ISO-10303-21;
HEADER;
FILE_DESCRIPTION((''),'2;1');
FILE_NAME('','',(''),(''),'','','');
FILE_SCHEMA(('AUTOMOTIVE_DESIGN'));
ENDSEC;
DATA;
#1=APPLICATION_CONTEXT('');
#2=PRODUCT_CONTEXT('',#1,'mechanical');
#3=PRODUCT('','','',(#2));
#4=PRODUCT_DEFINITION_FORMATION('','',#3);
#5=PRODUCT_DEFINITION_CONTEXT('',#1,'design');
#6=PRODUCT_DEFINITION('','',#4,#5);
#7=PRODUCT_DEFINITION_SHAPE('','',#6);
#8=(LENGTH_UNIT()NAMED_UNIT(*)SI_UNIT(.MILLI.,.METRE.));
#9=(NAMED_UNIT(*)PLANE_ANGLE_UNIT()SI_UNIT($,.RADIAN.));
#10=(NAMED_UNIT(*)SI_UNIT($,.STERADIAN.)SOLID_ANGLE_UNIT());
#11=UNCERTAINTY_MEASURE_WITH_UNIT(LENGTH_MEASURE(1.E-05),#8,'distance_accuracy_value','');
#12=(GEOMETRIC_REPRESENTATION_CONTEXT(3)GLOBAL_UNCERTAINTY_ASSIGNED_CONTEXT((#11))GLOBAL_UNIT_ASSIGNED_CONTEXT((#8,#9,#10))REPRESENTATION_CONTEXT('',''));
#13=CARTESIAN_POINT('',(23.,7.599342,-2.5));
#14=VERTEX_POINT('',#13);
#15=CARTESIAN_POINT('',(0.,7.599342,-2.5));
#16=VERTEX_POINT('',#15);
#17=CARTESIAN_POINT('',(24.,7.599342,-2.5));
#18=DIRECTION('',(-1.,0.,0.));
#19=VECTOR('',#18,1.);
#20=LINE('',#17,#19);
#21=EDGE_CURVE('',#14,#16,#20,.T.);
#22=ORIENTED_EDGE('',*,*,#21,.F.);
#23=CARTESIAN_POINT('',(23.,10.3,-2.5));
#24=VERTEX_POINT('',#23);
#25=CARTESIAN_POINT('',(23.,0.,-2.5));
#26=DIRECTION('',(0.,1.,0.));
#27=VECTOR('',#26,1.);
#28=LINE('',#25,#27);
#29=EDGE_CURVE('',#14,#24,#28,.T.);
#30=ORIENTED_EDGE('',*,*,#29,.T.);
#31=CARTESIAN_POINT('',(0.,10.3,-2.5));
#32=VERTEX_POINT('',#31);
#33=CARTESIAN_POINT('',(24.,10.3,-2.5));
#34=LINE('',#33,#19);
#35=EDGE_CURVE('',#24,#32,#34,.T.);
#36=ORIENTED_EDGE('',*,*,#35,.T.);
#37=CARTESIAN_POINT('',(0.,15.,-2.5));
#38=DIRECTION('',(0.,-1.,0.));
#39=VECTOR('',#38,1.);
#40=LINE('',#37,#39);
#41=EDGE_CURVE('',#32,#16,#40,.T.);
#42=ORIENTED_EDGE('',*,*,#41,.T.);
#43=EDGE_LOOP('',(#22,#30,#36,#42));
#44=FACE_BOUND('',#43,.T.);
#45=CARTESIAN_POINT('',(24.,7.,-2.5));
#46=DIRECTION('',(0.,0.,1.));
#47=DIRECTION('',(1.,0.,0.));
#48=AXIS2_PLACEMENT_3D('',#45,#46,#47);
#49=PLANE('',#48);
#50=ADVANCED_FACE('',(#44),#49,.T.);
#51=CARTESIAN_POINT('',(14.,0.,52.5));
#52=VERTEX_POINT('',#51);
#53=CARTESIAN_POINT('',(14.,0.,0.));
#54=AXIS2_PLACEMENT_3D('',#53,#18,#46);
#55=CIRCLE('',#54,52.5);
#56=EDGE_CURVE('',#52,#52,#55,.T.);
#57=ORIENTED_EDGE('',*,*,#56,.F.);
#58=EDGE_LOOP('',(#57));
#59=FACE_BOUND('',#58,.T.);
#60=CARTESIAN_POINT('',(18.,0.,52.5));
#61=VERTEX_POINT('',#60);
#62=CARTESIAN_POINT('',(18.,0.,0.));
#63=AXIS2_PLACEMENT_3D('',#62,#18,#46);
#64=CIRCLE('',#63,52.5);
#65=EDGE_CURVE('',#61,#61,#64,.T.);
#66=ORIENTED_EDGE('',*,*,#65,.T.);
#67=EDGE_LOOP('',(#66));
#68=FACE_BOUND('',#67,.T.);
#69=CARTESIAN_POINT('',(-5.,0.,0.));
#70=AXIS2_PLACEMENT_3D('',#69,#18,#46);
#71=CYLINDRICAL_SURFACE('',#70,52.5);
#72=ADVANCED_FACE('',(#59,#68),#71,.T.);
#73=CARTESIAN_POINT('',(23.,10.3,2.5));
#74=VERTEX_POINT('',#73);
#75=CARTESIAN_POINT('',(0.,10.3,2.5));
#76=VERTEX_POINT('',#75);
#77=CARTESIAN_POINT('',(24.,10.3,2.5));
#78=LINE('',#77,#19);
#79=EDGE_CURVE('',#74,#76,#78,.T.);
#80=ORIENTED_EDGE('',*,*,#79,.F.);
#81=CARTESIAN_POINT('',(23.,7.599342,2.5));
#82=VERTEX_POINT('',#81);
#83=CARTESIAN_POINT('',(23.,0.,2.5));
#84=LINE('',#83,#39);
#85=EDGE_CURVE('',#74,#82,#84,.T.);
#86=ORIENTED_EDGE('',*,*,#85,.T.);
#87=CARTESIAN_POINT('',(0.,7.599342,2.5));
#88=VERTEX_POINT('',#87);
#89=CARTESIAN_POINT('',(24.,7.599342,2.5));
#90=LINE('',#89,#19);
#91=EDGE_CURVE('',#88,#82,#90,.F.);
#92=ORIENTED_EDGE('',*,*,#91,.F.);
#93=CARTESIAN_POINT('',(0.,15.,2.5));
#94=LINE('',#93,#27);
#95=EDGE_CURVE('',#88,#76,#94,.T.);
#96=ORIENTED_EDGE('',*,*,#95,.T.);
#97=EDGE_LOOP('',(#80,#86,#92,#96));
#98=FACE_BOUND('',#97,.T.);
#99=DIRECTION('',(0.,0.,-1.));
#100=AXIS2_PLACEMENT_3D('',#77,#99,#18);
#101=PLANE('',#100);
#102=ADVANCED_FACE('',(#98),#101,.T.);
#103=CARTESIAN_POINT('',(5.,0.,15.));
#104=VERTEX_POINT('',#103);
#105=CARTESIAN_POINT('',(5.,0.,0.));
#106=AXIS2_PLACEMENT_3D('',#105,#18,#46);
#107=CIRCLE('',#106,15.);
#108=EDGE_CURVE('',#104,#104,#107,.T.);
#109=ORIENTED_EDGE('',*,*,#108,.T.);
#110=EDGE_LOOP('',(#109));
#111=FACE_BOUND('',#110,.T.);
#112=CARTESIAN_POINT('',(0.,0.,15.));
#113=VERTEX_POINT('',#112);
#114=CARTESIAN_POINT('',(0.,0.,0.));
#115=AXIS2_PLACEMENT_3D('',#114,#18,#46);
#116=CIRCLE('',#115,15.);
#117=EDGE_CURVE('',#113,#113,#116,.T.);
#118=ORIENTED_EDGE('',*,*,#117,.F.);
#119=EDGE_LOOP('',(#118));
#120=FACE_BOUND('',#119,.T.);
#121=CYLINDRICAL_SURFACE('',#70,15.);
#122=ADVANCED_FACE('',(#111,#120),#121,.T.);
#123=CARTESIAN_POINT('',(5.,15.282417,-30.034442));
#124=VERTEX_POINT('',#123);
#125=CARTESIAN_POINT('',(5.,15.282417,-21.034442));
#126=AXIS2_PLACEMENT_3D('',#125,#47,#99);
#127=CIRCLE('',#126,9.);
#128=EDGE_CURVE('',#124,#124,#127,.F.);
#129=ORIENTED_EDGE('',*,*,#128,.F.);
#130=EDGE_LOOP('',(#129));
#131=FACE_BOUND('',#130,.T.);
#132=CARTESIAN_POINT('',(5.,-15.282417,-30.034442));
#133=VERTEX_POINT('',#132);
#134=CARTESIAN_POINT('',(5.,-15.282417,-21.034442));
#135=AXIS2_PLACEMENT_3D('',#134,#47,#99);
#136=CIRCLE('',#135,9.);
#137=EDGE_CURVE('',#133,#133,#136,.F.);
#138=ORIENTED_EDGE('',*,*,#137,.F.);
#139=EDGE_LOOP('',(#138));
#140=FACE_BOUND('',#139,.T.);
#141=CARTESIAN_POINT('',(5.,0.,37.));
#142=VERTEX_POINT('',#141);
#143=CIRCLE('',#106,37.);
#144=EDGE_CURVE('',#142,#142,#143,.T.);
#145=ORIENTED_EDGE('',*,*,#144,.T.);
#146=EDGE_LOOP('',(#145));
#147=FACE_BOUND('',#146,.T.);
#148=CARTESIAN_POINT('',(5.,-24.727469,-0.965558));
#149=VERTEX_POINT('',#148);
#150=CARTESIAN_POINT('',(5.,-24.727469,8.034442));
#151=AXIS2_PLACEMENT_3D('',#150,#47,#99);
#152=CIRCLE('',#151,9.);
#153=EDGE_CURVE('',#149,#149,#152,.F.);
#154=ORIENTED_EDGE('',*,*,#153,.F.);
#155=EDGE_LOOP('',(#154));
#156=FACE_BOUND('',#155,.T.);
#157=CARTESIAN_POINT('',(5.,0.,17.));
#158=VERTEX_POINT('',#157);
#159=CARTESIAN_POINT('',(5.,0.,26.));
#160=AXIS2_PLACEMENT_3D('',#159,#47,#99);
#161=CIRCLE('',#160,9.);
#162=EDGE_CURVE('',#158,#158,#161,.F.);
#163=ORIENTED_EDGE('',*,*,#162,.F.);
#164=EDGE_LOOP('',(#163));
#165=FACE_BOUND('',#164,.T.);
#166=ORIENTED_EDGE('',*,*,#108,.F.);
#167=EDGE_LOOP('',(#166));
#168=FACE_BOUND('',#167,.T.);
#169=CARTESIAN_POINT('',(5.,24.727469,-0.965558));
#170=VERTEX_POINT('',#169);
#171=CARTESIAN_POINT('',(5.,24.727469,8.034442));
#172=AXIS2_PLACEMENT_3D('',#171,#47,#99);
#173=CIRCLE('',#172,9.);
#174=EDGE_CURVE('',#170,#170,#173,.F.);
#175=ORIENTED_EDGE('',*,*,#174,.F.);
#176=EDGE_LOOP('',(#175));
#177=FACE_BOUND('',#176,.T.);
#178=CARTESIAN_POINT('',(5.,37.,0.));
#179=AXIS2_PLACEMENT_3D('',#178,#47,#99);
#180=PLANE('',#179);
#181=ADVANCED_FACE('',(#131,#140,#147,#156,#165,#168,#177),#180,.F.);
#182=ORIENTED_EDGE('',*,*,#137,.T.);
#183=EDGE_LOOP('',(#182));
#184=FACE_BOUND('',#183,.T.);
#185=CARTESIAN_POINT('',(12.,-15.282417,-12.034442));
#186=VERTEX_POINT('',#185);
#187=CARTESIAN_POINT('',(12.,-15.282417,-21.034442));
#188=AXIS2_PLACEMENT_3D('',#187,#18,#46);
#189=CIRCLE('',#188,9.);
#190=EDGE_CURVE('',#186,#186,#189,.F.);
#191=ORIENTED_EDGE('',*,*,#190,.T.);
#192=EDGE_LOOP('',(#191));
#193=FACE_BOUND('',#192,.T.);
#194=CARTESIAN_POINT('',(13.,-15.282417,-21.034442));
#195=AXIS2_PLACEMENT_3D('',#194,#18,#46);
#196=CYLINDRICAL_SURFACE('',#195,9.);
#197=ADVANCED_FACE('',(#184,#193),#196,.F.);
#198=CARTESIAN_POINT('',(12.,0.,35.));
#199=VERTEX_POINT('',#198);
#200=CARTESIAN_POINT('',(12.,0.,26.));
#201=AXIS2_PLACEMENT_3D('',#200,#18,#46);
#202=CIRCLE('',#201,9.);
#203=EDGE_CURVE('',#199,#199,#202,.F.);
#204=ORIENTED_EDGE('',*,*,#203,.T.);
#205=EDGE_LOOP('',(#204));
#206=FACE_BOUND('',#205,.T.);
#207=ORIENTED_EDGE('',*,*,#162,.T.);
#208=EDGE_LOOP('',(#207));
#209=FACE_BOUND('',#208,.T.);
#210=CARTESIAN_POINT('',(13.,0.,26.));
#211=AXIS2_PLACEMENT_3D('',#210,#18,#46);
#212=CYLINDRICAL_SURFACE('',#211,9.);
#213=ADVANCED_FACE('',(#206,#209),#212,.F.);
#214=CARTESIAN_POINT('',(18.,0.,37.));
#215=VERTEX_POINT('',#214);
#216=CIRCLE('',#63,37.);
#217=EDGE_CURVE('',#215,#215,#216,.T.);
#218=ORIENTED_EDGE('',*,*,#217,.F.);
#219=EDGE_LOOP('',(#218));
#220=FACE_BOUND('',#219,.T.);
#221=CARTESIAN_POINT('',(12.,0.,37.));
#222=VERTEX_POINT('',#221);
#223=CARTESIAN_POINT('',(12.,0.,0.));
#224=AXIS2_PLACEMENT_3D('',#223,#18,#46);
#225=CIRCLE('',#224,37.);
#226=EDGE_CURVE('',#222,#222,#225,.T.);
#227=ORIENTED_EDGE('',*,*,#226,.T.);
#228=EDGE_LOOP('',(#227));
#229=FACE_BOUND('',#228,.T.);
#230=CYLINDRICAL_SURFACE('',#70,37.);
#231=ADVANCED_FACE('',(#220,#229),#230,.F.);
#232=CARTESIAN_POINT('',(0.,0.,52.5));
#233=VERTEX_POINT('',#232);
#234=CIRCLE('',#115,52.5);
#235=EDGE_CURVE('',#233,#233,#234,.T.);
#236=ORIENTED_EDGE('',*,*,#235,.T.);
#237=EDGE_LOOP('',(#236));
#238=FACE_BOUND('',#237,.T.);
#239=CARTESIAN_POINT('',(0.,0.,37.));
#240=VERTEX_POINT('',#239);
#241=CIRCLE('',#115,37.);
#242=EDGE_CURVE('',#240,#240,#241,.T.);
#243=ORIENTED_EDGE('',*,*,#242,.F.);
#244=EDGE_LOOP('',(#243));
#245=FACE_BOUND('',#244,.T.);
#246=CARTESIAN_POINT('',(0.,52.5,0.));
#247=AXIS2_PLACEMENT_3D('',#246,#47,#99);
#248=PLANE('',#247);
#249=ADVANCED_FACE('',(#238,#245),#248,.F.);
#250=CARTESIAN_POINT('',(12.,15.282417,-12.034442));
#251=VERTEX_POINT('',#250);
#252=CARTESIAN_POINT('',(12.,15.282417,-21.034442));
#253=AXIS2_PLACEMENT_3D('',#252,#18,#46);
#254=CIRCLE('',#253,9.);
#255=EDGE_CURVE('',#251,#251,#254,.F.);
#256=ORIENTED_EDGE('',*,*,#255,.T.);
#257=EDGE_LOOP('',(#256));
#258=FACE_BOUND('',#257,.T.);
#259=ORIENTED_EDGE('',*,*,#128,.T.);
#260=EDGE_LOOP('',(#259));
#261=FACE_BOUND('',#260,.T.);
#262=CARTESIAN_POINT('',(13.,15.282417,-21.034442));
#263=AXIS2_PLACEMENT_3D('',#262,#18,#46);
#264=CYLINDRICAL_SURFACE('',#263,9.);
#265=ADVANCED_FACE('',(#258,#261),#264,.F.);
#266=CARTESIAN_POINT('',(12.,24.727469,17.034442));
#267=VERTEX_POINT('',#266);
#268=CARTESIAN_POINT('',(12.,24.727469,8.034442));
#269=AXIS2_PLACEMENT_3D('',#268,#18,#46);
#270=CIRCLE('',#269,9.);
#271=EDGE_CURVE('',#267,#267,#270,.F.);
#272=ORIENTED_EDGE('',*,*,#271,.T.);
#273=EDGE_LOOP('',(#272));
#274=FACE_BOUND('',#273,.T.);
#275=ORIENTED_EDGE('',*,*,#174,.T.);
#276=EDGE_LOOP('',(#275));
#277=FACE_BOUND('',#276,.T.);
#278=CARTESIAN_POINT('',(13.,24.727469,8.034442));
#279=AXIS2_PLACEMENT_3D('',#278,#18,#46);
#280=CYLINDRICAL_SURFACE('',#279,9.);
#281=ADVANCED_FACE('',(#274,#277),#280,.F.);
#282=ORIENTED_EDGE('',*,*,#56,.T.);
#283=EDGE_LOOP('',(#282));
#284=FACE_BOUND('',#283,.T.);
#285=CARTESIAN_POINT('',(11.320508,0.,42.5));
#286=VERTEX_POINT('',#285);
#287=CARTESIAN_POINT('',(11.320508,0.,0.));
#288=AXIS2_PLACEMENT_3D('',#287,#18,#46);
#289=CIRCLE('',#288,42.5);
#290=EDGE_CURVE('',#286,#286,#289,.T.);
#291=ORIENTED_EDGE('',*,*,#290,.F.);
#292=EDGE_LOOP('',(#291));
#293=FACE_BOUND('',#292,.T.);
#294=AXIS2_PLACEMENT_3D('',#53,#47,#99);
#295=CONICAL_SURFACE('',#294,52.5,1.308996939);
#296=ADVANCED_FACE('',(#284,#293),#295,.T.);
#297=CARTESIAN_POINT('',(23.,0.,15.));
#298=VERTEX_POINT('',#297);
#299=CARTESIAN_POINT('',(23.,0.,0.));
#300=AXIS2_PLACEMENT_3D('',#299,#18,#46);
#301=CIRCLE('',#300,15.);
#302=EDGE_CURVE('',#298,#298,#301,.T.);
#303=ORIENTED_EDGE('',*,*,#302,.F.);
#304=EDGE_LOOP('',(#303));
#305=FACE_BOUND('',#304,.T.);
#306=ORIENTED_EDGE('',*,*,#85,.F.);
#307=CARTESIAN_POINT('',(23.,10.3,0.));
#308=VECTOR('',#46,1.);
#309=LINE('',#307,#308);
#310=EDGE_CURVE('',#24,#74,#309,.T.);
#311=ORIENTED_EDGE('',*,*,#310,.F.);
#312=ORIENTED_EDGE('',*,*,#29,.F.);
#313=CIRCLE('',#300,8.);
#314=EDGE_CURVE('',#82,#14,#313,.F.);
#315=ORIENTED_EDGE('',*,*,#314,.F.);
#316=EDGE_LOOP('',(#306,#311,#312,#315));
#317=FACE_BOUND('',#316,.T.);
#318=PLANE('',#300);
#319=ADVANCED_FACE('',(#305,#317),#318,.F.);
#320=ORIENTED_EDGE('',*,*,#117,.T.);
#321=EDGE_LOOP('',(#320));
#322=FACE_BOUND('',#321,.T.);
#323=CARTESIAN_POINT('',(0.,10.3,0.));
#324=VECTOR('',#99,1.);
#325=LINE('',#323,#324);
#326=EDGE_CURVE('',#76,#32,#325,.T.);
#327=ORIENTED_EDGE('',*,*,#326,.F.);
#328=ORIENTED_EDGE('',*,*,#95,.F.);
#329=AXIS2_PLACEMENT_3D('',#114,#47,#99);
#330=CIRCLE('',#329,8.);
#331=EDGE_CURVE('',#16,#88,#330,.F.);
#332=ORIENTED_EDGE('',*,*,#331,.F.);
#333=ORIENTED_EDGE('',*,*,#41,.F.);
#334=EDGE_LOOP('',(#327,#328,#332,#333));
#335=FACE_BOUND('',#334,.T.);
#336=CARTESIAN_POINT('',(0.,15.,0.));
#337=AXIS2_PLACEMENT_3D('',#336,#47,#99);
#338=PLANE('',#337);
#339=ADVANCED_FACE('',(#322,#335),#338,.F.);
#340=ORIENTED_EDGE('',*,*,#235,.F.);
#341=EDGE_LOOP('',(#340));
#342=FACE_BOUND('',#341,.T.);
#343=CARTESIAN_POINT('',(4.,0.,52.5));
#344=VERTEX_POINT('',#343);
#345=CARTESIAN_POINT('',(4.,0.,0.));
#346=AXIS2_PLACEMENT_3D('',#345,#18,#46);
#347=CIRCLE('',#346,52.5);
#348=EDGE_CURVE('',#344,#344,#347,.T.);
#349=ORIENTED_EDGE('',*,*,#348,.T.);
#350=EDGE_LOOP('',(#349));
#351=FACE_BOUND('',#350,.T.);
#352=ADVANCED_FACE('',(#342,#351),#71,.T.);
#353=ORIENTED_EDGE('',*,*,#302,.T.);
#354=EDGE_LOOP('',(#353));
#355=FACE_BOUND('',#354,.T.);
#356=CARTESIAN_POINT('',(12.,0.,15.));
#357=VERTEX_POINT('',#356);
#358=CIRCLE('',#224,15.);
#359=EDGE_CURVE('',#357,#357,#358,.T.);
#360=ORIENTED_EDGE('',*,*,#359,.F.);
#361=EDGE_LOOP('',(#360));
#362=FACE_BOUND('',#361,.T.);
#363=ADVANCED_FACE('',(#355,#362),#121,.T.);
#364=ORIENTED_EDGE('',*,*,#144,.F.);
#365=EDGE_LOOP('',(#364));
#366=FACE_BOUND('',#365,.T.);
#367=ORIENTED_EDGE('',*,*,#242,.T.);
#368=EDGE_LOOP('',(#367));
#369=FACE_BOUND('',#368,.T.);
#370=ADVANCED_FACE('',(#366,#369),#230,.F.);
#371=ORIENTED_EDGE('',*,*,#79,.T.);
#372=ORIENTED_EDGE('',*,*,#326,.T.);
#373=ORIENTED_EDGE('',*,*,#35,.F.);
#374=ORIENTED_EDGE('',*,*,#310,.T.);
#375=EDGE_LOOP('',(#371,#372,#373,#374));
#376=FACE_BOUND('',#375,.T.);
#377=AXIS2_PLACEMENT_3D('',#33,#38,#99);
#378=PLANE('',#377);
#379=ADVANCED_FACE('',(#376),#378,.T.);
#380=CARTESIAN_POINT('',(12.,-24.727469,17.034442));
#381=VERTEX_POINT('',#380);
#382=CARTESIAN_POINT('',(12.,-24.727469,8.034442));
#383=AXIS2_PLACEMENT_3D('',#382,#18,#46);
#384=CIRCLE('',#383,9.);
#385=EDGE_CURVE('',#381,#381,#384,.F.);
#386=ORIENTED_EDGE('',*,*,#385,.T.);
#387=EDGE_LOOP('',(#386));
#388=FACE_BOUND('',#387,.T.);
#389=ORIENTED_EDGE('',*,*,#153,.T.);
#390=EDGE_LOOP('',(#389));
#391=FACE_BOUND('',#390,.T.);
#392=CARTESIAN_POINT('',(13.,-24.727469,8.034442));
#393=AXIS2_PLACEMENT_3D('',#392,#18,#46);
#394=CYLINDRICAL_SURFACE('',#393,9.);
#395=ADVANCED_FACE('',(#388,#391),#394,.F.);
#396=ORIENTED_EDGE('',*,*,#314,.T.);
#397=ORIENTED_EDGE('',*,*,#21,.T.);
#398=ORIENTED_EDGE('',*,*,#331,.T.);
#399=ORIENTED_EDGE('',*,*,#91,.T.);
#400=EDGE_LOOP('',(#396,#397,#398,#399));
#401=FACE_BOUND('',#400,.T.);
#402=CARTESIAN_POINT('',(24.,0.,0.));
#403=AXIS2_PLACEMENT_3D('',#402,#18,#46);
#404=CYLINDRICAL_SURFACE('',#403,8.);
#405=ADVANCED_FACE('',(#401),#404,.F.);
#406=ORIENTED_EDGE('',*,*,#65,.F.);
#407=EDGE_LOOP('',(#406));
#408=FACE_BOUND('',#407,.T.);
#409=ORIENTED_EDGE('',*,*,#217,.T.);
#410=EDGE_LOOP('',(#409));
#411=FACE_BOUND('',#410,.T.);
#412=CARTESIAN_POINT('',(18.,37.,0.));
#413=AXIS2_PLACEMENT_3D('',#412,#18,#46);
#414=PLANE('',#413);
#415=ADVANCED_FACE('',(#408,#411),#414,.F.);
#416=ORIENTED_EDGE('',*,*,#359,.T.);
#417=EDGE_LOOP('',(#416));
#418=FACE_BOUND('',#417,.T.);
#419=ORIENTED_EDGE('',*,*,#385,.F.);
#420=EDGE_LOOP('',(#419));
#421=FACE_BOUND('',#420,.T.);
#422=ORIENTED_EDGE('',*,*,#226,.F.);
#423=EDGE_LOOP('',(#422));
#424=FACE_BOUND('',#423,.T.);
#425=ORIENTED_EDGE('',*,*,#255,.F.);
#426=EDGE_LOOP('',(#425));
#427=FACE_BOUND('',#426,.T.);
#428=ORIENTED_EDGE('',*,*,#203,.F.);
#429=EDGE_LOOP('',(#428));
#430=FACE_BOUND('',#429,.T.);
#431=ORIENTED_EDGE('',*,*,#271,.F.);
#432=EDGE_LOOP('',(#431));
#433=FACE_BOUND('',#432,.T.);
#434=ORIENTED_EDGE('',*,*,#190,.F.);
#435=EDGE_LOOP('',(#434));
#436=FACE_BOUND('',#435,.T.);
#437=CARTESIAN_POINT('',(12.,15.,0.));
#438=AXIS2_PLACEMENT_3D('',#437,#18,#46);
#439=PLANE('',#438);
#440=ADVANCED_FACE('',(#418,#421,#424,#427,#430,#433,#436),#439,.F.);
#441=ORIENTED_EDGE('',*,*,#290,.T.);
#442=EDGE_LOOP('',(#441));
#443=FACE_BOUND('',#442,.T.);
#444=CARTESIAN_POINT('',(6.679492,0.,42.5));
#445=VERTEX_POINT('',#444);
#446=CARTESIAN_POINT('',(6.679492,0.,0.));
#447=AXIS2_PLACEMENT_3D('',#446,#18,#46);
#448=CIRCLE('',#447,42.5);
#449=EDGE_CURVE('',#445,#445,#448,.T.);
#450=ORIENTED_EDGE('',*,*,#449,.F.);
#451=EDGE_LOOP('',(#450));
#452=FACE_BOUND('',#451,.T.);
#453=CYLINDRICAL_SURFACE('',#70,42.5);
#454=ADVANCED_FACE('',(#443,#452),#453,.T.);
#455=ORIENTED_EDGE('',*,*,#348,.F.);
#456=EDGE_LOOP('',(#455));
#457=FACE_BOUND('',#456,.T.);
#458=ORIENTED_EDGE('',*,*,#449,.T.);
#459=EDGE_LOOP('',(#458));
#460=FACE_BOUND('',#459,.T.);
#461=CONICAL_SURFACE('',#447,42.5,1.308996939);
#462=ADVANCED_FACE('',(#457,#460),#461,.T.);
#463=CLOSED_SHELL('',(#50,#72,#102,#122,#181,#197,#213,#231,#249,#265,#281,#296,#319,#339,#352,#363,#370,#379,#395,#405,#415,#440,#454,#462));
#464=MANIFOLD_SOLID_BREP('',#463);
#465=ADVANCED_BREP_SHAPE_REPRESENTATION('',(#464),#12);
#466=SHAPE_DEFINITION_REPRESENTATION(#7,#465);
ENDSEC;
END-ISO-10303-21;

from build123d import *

# Parameters (mm, degrees)
SKETCH_2_R        = 8
F_02_BORE_DEPTH   = 25
SKETCH_3_W        = 5
SKETCH_3_H        = 3.3
F_03_KEYWAY_DEPTH = 25
SKETCH_4_R        = 9
F_04_HOLE_0_DEPTH = 9
SKETCH_5_R        = 9
F_04_HOLE_1_DEPTH = 9
SKETCH_6_R        = 9
F_04_HOLE_2_DEPTH = 9
SKETCH_7_R        = 9
F_04_HOLE_3_DEPTH = 9
SKETCH_8_R        = 9
F_04_HOLE_4_DEPTH = 9


with BuildPart() as part:
    # 草图1 → 01_BODY (revolve)
    with BuildSketch(Plane.XY, mode=Mode.PRIVATE) as f_01_body_sk:
        Polygon((0, 0), (23, 0), (23, 15), (12, 15), (12, 37), (18, 37), (18, 52.5), (14, 52.5), (11.320508076, 42.5), (6.679491924, 42.5), (4, 52.5), (0, 52.5), (0, 37), (5, 37), (5, 15), (0, 15), align=None)
    revolve(f_01_body_sk.sketch.rotate(Axis((-5, 0, 0), (1, 0, 0)), 90), axis=Axis((-5, 0, 0), (1, 0, 0)))

    # 草图2 → 02_BORE (cut)
    with BuildSketch(Plane(origin=(-1, 0, 0), x_dir=(0, 0, -1), z_dir=(1, 0, 0))):
        with Locations(Location((0, 0, 0), (0, 0, 180))):
            Circle(SKETCH_2_R)
    extrude(amount=F_02_BORE_DEPTH, mode=Mode.SUBTRACT)

    # 草图3 → 03_KEYWAY (cut)
    with BuildSketch(Plane(origin=(-1, 0, 0), x_dir=(0, 0, -1), z_dir=(1, 0, 0))):
        with Locations((0, 8.65)):
            Rectangle(SKETCH_3_W, SKETCH_3_H)
    extrude(amount=F_03_KEYWAY_DEPTH, mode=Mode.SUBTRACT)

    # 草图4 → 04_HOLE_0 (cut)
    with BuildSketch(Plane(origin=(4, 0, 0), x_dir=(0, 0, -1), z_dir=(1, 0, 0))):
        with Locations(Location((-26, 0, 0), (0, 0, 180))):
            Circle(SKETCH_4_R)
    extrude(amount=F_04_HOLE_0_DEPTH, mode=Mode.SUBTRACT)

    # 草图5 → 04_HOLE_1 (cut)
    with BuildSketch(Plane(origin=(4, 0, 0), x_dir=(0, 0, -1), z_dir=(1, 0, 0))):
        with Locations(Location((-8.034441854, -24.727469424, 0), (0, 0, 180))):
            Circle(SKETCH_5_R)
    extrude(amount=F_04_HOLE_1_DEPTH, mode=Mode.SUBTRACT)

    # 草图6 → 04_HOLE_2 (cut)
    with BuildSketch(Plane(origin=(4, 0, 0), x_dir=(0, 0, -1), z_dir=(1, 0, 0))):
        with Locations(Location((21.034441854, -15.28241656, 0), (0, 0, 180))):
            Circle(SKETCH_6_R)
    extrude(amount=F_04_HOLE_2_DEPTH, mode=Mode.SUBTRACT)

    # 草图7 → 04_HOLE_3 (cut)
    with BuildSketch(Plane(origin=(4, 0, 0), x_dir=(0, 0, -1), z_dir=(1, 0, 0))):
        with Locations(Location((21.034441854, 15.28241656, 0), (0, 0, 180))):
            Circle(SKETCH_7_R)
    extrude(amount=F_04_HOLE_3_DEPTH, mode=Mode.SUBTRACT)

    # 草图8 → 04_HOLE_4 (cut)
    with BuildSketch(Plane(origin=(4, 0, 0), x_dir=(0, 0, -1), z_dir=(1, 0, 0))):
        with Locations(Location((-8.034441854, 24.727469424, 0), (0, 0, 180))):
            Circle(SKETCH_8_R)
    extrude(amount=F_04_HOLE_4_DEPTH, mode=Mode.SUBTRACT)


solid = part.part
